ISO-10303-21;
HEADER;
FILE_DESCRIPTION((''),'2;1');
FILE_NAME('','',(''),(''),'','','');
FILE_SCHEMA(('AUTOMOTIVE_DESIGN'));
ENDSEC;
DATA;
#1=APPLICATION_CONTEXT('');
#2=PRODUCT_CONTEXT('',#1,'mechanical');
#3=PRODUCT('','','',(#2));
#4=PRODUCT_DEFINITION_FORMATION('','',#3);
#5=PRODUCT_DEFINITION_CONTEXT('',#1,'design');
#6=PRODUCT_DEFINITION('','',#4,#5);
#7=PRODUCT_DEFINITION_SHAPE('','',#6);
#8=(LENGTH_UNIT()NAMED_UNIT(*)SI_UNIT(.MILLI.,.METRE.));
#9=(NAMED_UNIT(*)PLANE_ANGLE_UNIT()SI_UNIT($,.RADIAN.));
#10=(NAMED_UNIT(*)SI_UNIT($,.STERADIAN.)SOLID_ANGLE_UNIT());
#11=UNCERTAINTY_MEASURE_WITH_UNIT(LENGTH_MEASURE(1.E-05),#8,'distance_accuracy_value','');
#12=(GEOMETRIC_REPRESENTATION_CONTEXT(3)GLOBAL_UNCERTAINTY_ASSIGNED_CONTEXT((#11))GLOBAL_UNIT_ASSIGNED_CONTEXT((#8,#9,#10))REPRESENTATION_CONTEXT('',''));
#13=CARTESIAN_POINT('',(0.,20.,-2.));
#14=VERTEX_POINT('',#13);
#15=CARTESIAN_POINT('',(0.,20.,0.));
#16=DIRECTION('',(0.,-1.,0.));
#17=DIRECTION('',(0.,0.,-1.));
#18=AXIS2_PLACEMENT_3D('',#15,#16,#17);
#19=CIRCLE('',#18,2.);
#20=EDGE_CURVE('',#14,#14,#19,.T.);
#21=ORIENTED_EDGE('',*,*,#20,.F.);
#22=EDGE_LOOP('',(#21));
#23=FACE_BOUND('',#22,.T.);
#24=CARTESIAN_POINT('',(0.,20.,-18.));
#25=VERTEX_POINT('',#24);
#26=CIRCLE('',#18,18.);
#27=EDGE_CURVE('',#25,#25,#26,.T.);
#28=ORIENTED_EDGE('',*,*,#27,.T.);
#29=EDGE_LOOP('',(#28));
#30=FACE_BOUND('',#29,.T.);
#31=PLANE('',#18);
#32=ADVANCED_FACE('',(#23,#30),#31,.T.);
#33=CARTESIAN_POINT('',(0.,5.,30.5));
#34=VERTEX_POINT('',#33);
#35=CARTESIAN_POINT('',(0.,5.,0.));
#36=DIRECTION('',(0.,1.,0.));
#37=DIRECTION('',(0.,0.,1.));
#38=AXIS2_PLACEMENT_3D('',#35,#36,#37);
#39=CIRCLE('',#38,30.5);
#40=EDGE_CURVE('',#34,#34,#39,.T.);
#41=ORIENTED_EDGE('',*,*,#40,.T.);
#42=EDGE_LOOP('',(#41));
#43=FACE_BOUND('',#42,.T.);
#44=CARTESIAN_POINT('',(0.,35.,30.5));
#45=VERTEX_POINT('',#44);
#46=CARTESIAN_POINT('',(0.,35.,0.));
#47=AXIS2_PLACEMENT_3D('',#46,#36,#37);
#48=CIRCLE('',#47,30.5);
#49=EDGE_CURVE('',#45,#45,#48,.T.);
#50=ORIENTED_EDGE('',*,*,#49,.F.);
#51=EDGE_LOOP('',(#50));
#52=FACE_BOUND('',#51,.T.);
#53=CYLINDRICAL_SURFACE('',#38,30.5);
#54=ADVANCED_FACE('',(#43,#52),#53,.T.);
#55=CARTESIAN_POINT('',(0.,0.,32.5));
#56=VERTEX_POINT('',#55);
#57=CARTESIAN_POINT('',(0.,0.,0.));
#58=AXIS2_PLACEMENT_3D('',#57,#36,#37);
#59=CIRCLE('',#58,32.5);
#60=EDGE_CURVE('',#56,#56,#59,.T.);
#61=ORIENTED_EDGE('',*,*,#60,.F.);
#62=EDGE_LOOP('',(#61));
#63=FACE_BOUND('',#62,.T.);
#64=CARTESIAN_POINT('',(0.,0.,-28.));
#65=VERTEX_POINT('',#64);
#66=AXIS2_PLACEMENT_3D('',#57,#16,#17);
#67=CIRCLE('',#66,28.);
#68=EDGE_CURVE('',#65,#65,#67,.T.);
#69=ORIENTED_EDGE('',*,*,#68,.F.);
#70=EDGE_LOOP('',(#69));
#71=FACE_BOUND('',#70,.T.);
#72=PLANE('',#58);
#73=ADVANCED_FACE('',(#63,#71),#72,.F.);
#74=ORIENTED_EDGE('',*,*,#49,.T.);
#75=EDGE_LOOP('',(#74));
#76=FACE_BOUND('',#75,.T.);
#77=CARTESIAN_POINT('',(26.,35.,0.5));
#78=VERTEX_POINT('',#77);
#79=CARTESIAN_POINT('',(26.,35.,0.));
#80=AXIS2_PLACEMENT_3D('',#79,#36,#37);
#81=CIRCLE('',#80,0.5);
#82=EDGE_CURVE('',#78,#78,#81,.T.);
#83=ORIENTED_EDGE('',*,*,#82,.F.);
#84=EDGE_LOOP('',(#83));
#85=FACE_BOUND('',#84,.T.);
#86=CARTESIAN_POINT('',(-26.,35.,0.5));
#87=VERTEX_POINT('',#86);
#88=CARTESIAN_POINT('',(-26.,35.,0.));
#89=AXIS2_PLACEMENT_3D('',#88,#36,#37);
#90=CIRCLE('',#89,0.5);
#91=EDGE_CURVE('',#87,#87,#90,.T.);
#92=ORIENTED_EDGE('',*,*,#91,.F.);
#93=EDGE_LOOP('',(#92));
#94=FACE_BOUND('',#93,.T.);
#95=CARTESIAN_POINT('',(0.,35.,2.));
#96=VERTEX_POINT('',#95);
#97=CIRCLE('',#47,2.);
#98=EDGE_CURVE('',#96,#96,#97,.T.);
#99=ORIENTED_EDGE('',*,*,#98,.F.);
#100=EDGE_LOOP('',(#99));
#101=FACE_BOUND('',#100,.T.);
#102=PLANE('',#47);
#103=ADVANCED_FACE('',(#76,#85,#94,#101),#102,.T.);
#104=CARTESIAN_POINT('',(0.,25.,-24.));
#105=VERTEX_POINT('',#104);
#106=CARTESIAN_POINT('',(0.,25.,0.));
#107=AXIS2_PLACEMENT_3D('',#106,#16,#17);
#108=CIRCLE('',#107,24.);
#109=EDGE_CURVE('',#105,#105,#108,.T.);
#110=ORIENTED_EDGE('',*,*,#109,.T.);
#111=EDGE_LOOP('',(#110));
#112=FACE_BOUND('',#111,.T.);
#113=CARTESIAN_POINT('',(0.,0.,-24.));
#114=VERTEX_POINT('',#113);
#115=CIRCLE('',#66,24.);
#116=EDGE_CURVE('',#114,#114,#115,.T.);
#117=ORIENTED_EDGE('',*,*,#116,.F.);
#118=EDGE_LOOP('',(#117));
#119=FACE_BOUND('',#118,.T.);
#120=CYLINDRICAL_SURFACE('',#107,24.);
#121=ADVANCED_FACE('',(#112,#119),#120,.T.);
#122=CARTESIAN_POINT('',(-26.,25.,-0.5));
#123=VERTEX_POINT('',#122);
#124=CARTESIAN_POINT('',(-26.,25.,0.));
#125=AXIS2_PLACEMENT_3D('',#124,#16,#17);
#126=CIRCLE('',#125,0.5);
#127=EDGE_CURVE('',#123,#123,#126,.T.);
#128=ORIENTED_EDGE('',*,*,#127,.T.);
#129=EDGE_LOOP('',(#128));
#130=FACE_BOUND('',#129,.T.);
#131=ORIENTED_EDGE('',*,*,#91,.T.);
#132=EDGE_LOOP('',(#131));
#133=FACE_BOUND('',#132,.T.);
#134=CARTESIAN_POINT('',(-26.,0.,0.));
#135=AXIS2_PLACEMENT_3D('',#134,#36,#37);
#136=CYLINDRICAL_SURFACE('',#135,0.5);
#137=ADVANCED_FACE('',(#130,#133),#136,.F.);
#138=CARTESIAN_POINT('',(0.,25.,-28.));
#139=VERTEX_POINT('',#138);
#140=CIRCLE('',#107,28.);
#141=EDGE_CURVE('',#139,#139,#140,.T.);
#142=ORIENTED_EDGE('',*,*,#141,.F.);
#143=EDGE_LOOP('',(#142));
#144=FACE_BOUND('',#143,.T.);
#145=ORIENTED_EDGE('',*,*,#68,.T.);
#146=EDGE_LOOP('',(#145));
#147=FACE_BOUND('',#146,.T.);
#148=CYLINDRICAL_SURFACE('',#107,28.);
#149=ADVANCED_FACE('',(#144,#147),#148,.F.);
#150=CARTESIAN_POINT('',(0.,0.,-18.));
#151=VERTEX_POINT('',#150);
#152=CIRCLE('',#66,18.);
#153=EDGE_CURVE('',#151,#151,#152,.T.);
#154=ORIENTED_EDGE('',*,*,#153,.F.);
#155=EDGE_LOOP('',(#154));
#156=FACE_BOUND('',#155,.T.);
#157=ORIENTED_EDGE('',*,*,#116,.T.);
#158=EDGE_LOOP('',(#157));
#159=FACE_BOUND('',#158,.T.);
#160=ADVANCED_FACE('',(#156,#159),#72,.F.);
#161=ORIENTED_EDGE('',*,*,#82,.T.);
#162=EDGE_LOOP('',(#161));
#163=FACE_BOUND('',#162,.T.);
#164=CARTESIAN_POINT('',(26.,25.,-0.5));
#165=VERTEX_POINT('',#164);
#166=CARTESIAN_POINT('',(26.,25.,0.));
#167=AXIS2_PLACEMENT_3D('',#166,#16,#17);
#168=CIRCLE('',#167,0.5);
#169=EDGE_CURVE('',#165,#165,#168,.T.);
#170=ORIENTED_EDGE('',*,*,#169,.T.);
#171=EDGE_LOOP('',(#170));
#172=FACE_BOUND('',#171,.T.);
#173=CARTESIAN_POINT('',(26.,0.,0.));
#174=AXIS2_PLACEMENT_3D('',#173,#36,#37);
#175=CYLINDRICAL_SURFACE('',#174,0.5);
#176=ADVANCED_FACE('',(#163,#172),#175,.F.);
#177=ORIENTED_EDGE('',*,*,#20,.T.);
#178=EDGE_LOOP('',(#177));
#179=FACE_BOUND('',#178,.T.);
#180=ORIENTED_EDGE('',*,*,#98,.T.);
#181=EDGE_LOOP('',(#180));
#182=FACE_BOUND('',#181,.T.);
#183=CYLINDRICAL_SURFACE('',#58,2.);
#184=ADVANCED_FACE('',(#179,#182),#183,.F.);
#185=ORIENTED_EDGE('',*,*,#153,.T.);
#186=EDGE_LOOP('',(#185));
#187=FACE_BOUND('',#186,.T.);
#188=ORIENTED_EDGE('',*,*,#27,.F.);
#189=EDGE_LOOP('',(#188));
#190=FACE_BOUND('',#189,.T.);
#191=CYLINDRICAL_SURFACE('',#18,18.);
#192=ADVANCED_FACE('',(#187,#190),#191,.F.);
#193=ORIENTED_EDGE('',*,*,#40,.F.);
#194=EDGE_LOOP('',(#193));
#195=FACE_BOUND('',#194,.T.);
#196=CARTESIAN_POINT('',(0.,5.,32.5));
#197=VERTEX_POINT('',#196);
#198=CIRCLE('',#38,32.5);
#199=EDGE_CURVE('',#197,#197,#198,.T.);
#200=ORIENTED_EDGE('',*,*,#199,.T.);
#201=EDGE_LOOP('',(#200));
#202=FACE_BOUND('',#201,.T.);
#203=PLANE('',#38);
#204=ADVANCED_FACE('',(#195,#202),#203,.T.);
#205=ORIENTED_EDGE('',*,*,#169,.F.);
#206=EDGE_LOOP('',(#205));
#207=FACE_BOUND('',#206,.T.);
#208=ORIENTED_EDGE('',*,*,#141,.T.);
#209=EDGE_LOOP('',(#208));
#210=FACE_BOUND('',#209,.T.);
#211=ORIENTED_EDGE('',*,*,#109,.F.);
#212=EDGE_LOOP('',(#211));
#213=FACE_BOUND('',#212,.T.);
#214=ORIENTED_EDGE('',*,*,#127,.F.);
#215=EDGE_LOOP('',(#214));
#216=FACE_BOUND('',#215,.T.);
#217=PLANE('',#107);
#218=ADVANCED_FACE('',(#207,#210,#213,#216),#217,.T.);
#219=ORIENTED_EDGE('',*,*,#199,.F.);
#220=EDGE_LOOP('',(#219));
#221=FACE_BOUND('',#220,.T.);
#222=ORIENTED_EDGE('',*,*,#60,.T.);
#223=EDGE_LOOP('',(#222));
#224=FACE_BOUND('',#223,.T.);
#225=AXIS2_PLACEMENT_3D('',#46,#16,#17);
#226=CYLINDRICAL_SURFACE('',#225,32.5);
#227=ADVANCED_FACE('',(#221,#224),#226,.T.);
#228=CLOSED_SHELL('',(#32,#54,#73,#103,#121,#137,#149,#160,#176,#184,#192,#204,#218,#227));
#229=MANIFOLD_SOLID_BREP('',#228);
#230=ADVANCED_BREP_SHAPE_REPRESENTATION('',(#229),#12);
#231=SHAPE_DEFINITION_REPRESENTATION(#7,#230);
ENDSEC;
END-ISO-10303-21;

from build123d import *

# Parameters (mm, degrees)
SKETCH1_R           = 32.5
BOSS_EXTRUDE1_DEPTH = 35
CUT_EXTRUDE2_START  = -30
SKETCH2_R           = 32.5
SKETCH2_R_2         = 30.5
CUT_EXTRUDE2_DEPTH  = 30
SKETCH3_R           = 28
SKETCH3_R_2         = 24
CUT_EXTRUDE3_DEPTH  = 25
SKETCH4_R           = 18
CUT_EXTRUDE4_DEPTH  = 20
SKETCH5_R           = 0.5
CUT_EXTRUDE5_DEPTH  = 58.771100041
SKETCH6_R           = 2
CUT_EXTRUDE6_DEPTH  = 58.771100041


with BuildPart() as part:
    # Sketch1 → Boss-Extrude1 (new body)
    with BuildSketch(Plane(origin=(0, 0, 0), x_dir=(1, 0, 0), z_dir=(0, 1, 0))):
        with Locations(Location((0, 0, 0), (0, 0, 270))):
            Circle(SKETCH1_R)
    extrude(amount=BOSS_EXTRUDE1_DEPTH)

    # Sketch2 → Cut-Extrude2 (cut)
    with BuildSketch(Plane(origin=(0, 35, 0), x_dir=(1, 0, 0), z_dir=(0, 1, 0)).offset(CUT_EXTRUDE2_START)):
        with Locations(Location((0, 0, 0), (0, 0, 270))):
            Circle(SKETCH2_R)
        with Locations(Location((0, 0, 0), (0, 0, 270))):
            Circle(SKETCH2_R_2, mode=Mode.SUBTRACT)
    extrude(amount=CUT_EXTRUDE2_DEPTH, mode=Mode.SUBTRACT)

    # Sketch3 → Cut-Extrude3 (cut)
    with BuildSketch(Plane.XZ):
        with Locations(Location((0, 0, 0), (0, 0, 270))):
            Circle(SKETCH3_R)
        with Locations(Location((0, 0, 0), (0, 0, 270))):
            Circle(SKETCH3_R_2, mode=Mode.SUBTRACT)
    extrude(amount=-CUT_EXTRUDE3_DEPTH, mode=Mode.SUBTRACT)

    # Sketch4 → Cut-Extrude4 (cut)
    with BuildSketch(Plane.XZ):
        with Locations(Location((0, 0, 0), (0, 0, 270))):
            Circle(SKETCH4_R)
    extrude(amount=-CUT_EXTRUDE4_DEPTH, mode=Mode.SUBTRACT)

    # Sketch5 → Cut-Extrude5 (cut, through all)
    with BuildSketch(Plane(origin=(0, 35, 0), x_dir=(1, 0, 0), z_dir=(0, 1, 0))):
        with Locations(Location((-26, 0, 0), (0, 0, 270))):
            Circle(SKETCH5_R)
        with Locations(Location((26, 0, 0), (0, 0, 270))):
            Circle(SKETCH5_R)
    extrude(amount=-CUT_EXTRUDE5_DEPTH, mode=Mode.SUBTRACT)

    # Sketch6 → Cut-Extrude6 (cut, through all)
    with BuildSketch(Plane(origin=(0, 35, 0), x_dir=(1, 0, 0), z_dir=(0, 1, 0))):
        with Locations(Location((0, 0, 0), (0, 0, 270))):
            Circle(SKETCH6_R)
    extrude(amount=-CUT_EXTRUDE6_DEPTH, mode=Mode.SUBTRACT)


solid = part.part
